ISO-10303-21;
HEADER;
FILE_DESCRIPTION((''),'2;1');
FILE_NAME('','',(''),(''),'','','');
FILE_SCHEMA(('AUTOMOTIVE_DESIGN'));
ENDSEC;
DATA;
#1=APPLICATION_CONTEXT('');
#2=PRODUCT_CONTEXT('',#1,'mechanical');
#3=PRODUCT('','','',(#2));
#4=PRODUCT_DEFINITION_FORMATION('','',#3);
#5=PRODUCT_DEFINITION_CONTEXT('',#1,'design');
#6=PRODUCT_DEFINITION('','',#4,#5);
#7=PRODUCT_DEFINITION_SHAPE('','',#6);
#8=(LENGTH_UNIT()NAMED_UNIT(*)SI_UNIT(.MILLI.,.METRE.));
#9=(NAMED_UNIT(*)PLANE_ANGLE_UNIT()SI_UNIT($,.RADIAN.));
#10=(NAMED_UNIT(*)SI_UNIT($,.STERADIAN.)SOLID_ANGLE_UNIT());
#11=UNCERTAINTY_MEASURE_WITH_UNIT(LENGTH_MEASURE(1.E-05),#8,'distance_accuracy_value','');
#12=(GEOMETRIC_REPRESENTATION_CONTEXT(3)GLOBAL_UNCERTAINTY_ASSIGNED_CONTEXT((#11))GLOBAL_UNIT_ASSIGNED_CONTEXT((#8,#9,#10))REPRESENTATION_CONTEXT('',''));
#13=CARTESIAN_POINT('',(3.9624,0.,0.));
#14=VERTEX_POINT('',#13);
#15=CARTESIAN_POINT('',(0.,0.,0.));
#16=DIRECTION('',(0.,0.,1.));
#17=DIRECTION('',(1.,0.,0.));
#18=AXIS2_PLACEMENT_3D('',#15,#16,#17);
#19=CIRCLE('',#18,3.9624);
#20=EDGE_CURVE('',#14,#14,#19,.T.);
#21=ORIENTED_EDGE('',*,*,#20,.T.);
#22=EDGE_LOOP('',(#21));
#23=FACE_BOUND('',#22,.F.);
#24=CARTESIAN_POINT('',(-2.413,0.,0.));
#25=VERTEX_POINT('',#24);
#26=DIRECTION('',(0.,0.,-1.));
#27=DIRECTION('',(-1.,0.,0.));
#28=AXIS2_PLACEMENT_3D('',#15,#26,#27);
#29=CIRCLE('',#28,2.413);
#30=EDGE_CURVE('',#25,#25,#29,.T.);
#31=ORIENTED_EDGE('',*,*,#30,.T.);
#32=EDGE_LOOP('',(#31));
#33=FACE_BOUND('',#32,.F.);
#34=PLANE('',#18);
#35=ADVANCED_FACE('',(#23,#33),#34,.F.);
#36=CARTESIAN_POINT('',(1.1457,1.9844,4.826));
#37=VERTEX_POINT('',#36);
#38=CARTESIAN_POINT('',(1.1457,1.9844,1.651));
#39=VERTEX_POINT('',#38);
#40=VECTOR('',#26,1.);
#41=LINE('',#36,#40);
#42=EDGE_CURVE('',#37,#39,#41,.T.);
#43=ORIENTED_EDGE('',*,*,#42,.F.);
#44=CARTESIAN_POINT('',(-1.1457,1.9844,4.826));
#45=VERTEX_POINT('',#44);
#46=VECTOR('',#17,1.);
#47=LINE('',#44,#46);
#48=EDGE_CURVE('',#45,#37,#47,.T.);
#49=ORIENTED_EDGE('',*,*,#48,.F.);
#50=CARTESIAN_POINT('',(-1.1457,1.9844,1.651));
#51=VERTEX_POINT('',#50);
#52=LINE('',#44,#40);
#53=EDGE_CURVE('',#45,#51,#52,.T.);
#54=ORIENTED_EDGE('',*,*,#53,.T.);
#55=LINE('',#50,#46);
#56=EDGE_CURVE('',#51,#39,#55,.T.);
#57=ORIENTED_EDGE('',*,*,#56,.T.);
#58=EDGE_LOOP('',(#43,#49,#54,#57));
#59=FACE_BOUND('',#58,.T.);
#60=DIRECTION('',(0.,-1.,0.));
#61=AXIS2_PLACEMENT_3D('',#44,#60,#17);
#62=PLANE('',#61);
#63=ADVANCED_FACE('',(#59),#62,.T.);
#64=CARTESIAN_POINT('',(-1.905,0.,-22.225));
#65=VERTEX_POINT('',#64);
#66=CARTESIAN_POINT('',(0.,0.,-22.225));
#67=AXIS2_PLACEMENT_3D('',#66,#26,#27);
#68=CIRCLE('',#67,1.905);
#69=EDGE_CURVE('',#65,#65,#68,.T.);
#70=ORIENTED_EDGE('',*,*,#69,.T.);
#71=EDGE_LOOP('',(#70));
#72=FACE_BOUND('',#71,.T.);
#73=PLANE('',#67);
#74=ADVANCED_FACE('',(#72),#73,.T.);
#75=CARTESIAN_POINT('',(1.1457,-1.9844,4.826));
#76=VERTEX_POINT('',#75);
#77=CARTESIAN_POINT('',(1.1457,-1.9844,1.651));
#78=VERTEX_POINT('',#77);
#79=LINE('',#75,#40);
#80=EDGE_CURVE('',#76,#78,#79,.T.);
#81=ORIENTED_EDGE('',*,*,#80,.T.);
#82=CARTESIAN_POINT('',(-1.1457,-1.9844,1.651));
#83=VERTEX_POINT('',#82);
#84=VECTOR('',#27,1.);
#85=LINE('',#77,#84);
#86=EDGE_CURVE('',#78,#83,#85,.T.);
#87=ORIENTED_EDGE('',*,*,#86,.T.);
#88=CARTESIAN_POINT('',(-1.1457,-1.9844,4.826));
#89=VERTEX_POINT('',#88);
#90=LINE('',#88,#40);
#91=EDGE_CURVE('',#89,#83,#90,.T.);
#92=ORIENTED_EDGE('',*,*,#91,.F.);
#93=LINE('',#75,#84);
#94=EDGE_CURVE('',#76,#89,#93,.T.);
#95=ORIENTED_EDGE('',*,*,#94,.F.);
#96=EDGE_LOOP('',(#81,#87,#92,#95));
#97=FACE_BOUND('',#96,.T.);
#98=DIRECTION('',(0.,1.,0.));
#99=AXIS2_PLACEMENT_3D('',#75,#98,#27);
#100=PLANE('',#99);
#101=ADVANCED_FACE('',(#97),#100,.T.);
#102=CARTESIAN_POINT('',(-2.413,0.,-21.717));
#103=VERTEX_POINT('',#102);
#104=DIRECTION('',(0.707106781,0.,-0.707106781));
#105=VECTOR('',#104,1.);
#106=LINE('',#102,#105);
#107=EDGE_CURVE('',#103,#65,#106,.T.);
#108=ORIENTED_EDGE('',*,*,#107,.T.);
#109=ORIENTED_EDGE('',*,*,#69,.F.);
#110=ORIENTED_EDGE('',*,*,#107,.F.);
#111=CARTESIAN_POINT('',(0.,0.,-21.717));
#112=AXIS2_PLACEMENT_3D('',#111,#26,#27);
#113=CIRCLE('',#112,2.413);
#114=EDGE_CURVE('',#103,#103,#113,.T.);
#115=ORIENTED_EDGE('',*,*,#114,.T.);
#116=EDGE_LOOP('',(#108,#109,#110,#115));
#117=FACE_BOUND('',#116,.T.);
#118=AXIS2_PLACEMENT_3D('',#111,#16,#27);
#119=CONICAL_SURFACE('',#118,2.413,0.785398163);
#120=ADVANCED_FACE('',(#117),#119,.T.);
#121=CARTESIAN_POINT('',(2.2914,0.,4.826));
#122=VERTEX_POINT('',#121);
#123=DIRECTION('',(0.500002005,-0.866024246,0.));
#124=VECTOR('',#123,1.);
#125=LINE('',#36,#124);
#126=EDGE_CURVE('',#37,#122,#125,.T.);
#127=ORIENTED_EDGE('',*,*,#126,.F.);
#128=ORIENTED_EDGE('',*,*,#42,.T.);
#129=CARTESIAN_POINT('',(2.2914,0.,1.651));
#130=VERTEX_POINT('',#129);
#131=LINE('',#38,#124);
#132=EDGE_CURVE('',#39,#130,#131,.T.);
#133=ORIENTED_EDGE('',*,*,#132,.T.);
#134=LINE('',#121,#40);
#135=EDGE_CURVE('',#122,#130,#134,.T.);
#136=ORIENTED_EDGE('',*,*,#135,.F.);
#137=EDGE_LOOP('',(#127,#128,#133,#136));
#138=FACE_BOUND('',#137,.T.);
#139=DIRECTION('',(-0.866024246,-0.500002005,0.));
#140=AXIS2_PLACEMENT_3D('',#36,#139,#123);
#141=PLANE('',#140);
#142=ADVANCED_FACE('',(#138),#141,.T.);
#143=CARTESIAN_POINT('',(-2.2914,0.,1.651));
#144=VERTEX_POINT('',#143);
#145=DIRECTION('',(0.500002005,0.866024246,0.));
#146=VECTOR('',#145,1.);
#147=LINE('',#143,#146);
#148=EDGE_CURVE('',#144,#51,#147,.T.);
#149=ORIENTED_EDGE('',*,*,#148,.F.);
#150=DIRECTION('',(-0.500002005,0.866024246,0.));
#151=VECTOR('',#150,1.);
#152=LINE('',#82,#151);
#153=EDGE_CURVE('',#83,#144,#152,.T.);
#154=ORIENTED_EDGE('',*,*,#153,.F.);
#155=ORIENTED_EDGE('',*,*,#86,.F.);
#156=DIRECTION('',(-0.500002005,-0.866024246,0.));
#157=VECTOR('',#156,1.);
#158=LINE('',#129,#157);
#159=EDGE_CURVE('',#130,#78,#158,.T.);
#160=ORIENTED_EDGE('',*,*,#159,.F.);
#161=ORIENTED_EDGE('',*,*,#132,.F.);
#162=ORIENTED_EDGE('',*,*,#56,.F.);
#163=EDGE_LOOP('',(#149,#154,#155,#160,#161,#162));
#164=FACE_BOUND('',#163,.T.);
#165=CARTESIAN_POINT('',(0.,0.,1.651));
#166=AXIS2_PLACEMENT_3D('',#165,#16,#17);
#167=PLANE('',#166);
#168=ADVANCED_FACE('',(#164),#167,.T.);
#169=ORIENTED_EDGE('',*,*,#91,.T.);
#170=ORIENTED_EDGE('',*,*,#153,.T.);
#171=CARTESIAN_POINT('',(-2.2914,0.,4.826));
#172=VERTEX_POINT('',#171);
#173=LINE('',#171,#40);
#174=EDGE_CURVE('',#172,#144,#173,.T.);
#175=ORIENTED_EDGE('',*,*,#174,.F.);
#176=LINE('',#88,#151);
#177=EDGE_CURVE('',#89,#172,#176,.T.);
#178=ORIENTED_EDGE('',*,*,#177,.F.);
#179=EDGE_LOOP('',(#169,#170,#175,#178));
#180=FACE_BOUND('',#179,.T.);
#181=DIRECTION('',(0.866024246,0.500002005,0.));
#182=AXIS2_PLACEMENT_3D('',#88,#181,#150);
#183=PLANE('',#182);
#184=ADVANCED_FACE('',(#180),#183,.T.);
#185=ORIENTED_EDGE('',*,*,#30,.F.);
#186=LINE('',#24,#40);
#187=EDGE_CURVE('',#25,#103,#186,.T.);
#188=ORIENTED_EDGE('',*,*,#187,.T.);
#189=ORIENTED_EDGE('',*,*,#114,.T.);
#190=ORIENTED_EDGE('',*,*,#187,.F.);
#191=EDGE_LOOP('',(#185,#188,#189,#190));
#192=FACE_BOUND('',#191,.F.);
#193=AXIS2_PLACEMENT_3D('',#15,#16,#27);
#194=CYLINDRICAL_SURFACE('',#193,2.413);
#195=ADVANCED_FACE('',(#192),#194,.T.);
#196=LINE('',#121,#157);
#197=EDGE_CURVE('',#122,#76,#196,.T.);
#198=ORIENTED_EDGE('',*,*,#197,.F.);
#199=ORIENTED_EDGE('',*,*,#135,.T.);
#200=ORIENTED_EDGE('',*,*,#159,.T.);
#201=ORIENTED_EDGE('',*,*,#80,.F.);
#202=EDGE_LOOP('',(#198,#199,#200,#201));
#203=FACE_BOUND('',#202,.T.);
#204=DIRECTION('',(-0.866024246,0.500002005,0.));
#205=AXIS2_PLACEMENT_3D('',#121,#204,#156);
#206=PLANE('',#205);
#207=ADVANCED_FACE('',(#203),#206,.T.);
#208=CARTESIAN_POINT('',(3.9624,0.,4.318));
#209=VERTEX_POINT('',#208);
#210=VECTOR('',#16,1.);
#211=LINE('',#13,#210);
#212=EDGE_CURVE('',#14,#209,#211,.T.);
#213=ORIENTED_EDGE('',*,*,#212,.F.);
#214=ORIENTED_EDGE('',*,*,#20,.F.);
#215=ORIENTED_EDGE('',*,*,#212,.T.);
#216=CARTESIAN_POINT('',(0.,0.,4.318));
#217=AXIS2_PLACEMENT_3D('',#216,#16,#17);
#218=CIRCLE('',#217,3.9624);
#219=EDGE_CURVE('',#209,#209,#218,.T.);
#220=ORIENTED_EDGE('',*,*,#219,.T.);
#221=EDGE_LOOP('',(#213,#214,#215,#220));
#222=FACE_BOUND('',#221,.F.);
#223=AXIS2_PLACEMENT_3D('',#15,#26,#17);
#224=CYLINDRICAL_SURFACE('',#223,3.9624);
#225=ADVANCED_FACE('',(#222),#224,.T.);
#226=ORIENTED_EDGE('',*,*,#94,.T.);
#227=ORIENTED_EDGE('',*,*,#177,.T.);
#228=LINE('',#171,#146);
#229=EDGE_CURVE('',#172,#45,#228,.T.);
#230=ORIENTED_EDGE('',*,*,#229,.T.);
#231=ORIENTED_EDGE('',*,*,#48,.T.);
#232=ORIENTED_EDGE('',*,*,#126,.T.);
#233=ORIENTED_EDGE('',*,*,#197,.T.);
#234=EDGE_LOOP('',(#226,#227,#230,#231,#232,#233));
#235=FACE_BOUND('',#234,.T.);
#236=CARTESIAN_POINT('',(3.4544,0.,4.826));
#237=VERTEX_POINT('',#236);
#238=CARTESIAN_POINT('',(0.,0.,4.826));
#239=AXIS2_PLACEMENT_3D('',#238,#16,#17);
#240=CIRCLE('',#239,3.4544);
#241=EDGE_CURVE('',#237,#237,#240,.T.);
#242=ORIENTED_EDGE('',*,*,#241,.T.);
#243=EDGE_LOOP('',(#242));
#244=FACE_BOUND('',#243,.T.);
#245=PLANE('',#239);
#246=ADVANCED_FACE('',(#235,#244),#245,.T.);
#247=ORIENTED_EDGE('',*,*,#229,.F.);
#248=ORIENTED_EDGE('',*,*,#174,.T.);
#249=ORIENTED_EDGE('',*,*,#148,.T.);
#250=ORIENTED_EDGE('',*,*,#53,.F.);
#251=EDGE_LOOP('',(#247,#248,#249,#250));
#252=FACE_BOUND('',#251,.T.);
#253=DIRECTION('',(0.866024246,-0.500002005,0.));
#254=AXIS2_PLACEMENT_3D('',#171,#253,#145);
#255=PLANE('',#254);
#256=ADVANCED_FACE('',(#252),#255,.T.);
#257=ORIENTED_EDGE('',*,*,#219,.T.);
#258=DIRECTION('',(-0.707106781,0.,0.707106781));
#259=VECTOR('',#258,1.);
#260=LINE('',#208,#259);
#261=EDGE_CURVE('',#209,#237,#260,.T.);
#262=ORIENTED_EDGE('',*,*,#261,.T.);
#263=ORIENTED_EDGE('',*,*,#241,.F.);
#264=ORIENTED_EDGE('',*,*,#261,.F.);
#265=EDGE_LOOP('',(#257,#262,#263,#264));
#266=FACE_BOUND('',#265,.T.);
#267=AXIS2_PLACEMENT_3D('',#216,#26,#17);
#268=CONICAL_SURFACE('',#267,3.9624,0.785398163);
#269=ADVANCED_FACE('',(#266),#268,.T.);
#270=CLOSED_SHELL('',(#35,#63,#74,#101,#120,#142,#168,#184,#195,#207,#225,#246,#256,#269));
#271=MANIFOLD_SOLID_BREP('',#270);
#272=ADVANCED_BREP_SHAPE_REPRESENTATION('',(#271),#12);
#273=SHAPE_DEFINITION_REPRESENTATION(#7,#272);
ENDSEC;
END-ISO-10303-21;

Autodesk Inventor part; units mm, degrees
ref_plane "YZ Plane" through (0, 0, 0) normal (1, 0, 0) x (0, 1, 0)
ref_plane "XZ Plane" through (0, 0, 0) normal (0, 1, 0) x (-1, 0, 0)
ref_plane "XY Plane" through (0, 0, 0) normal (0, 0, 1) x (1, 0, 0)
sketch "Sketch1" plane through (0, 0, 0) normal (0, 0, 1) x (1, 0, 0)
  circle A0 centre (0, 0) radius 3.9624
  dimension "d0" = 7.9248
extrude "Extrusion1" add sketch "Sketch1" along normal blind 4.826
sketch "Sketch2" plane through (0, 0, 0) normal (0, 0, -1) x (-1, 0, 0)
  circle A0 centre (0, 0) radius 3.9624 projected
  circle A1 centre (0, 0) radius 2.413
  dimension "d3" = 4.826
extrude "Extrusion2" add sketch "Sketch2" along normal blind 22.225 contours A1
sketch "Sketch3" plane through (0, 0, 4.826) normal (0, 0, 1) x (1, 0, 0)
  circle A0 centre (0, 0) radius 3.9624 projected
  line L0 (-1.1457, 1.9844) -> (1.1457, 1.9844)
  line L1 (1.1457, 1.9844) -> (2.2914, 0)
  line L2 (2.2914, 0) -> (1.1457, -1.9844)
  line L3 (1.1457, -1.9844) -> (-1.1457, -1.9844)
  line L4 (-1.1457, -1.9844) -> (-2.2914, 0)
  line L5 (-2.2914, 0) -> (-1.1457, 1.9844)
  dimension "d6" = 3.9688
extrude "Extrusion3" cut sketch "Sketch3" against normal blind 3.175 contours L0 L1 L2 L3 L4 L5
thread "Thread1" size "10-32 UNF" class "2A" standard "ANSI Unified Screw Threads" full length
chamfer "Chamfer1" distance 0.508 angle 45 1 edges at (2.413, 0, -22.225)
chamfer "Chamfer2" distance 0.508 angle 45 1 edges at (-3.9624, 0, 4.826)
properties part number "10-32 x1000" material "Stainless Steel"
